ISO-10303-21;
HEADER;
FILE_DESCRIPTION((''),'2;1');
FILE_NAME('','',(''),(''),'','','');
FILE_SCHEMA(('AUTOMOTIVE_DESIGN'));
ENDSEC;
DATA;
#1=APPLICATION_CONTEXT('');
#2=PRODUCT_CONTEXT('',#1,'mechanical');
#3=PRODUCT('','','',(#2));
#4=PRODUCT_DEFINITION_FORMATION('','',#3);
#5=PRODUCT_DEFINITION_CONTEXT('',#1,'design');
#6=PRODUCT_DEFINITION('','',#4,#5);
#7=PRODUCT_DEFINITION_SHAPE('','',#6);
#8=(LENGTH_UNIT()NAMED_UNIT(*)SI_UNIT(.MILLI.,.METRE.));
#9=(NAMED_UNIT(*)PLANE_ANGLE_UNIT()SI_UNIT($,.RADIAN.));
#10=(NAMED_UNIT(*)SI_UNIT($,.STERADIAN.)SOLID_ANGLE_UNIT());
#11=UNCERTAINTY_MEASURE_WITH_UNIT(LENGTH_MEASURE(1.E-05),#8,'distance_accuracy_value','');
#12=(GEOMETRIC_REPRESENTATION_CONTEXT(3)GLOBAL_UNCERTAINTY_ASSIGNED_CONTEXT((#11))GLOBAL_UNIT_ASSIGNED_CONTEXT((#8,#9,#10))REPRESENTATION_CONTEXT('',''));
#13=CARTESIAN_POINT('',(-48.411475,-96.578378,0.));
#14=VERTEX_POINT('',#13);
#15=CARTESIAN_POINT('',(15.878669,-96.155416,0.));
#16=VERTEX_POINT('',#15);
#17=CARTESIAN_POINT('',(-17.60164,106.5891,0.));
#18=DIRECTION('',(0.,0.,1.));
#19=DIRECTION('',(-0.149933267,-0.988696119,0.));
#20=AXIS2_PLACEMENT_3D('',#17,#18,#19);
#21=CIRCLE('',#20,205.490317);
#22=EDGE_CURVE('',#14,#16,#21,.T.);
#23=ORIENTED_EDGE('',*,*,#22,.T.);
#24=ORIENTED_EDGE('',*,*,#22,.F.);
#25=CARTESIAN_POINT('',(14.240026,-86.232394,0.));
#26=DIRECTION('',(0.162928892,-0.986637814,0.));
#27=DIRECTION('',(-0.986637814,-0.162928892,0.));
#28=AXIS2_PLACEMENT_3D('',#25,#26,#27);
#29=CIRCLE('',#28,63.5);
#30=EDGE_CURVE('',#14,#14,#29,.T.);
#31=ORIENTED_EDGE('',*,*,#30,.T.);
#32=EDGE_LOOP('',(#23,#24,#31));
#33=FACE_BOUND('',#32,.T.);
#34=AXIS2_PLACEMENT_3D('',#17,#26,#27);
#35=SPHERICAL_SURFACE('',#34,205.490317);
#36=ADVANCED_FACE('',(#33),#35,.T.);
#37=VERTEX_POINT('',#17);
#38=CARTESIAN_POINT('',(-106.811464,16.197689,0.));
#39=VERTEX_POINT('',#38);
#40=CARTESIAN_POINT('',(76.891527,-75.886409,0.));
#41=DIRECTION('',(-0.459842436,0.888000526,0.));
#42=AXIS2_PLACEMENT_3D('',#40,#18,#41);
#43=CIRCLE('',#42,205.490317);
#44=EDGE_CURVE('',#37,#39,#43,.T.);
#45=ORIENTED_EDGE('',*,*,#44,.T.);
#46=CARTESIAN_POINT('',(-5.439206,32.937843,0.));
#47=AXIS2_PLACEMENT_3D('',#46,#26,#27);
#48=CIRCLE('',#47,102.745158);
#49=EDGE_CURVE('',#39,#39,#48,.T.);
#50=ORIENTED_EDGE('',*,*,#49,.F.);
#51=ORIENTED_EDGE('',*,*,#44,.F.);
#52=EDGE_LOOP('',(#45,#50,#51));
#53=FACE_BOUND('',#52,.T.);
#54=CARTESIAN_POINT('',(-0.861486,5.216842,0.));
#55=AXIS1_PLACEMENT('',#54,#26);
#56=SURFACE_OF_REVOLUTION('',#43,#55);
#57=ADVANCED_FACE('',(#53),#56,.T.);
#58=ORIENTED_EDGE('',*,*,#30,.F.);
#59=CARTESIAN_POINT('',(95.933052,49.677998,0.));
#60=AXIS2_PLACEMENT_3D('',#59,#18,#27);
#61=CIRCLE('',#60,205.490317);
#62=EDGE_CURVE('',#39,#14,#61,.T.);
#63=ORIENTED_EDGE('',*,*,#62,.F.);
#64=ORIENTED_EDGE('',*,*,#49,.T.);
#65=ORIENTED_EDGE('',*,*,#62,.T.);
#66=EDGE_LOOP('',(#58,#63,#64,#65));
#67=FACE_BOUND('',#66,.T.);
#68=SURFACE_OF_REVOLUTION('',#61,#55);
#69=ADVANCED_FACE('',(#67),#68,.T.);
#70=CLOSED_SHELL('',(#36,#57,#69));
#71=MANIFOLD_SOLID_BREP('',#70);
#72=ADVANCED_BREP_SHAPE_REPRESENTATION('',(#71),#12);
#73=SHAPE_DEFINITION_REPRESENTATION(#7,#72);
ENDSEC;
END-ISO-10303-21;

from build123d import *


with BuildPart() as f1:
    # F0 (on Top) → F1 (revolve)
    with BuildSketch(Plane.XY):
        with BuildLine():
            ThreePointArc((-17.6016403931, 106.5891002701), (-69.364848964, 68.4581184601), (-106.8114643882, 16.1976886052))
            ThreePointArc((-106.8114643882, 16.1976886052), (-86.5424567969, -44.815169602), (-48.411474987, -96.5783781728))
            ThreePointArc((-48.411474987, -96.5783781728), (-16.2497589933, -98.8967693688), (15.8786691936, -96.1554164857))
            Line((15.8786691936, -96.1554164857), (14.2400262069, -86.2323935336))
            Line((14.2400262069, -86.2323935336), (-17.6016403931, 106.5891002701))
        make_face()
    revolve(axis=Axis((-0.8614855998, 5.2168418922, 0), (0.162928892, -0.9866378141, 0)))


solid = f1.part
